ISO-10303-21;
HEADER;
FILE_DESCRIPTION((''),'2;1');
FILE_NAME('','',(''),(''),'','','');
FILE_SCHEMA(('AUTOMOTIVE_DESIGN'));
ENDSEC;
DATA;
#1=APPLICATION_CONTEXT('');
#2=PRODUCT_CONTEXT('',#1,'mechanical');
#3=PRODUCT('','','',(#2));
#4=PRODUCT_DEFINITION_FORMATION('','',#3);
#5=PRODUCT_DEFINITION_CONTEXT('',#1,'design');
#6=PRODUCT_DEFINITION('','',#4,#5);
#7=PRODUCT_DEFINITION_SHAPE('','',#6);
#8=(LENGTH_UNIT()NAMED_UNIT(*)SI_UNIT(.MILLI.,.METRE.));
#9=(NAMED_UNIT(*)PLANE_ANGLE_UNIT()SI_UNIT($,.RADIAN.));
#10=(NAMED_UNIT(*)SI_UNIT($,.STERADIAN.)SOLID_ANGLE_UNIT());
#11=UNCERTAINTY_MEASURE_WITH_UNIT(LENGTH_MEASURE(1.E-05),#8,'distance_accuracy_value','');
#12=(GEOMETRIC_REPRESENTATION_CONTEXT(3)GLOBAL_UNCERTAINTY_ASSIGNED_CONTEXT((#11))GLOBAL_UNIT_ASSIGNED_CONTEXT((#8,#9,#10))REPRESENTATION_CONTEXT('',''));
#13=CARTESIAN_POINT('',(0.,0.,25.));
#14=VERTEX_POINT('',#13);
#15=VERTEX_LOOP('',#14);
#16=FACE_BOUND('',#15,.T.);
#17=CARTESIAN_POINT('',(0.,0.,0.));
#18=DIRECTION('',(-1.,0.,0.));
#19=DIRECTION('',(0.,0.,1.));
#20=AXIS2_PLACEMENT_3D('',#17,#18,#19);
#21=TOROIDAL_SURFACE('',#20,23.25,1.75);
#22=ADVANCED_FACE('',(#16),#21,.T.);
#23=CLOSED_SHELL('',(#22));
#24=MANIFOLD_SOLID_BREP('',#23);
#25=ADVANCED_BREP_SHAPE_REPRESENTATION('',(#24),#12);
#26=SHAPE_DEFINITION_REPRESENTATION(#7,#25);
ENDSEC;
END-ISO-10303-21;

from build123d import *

# Parameters (mm, degrees)
SKETCH1_R = 1.75


with BuildPart() as part:
    # Sketch1 → Revolve1 (revolve)
    with BuildSketch(Plane.XY, mode=Mode.PRIVATE) as revolve1_sk:
        with Locations((0, 23.25)):
            Circle(SKETCH1_R)
    revolve(revolve1_sk.sketch.rotate(Axis((0, 0, 0), (1, 0, 0)), 90), axis=Axis((0, 0, 0), (1, 0, 0)))


solid = part.part
